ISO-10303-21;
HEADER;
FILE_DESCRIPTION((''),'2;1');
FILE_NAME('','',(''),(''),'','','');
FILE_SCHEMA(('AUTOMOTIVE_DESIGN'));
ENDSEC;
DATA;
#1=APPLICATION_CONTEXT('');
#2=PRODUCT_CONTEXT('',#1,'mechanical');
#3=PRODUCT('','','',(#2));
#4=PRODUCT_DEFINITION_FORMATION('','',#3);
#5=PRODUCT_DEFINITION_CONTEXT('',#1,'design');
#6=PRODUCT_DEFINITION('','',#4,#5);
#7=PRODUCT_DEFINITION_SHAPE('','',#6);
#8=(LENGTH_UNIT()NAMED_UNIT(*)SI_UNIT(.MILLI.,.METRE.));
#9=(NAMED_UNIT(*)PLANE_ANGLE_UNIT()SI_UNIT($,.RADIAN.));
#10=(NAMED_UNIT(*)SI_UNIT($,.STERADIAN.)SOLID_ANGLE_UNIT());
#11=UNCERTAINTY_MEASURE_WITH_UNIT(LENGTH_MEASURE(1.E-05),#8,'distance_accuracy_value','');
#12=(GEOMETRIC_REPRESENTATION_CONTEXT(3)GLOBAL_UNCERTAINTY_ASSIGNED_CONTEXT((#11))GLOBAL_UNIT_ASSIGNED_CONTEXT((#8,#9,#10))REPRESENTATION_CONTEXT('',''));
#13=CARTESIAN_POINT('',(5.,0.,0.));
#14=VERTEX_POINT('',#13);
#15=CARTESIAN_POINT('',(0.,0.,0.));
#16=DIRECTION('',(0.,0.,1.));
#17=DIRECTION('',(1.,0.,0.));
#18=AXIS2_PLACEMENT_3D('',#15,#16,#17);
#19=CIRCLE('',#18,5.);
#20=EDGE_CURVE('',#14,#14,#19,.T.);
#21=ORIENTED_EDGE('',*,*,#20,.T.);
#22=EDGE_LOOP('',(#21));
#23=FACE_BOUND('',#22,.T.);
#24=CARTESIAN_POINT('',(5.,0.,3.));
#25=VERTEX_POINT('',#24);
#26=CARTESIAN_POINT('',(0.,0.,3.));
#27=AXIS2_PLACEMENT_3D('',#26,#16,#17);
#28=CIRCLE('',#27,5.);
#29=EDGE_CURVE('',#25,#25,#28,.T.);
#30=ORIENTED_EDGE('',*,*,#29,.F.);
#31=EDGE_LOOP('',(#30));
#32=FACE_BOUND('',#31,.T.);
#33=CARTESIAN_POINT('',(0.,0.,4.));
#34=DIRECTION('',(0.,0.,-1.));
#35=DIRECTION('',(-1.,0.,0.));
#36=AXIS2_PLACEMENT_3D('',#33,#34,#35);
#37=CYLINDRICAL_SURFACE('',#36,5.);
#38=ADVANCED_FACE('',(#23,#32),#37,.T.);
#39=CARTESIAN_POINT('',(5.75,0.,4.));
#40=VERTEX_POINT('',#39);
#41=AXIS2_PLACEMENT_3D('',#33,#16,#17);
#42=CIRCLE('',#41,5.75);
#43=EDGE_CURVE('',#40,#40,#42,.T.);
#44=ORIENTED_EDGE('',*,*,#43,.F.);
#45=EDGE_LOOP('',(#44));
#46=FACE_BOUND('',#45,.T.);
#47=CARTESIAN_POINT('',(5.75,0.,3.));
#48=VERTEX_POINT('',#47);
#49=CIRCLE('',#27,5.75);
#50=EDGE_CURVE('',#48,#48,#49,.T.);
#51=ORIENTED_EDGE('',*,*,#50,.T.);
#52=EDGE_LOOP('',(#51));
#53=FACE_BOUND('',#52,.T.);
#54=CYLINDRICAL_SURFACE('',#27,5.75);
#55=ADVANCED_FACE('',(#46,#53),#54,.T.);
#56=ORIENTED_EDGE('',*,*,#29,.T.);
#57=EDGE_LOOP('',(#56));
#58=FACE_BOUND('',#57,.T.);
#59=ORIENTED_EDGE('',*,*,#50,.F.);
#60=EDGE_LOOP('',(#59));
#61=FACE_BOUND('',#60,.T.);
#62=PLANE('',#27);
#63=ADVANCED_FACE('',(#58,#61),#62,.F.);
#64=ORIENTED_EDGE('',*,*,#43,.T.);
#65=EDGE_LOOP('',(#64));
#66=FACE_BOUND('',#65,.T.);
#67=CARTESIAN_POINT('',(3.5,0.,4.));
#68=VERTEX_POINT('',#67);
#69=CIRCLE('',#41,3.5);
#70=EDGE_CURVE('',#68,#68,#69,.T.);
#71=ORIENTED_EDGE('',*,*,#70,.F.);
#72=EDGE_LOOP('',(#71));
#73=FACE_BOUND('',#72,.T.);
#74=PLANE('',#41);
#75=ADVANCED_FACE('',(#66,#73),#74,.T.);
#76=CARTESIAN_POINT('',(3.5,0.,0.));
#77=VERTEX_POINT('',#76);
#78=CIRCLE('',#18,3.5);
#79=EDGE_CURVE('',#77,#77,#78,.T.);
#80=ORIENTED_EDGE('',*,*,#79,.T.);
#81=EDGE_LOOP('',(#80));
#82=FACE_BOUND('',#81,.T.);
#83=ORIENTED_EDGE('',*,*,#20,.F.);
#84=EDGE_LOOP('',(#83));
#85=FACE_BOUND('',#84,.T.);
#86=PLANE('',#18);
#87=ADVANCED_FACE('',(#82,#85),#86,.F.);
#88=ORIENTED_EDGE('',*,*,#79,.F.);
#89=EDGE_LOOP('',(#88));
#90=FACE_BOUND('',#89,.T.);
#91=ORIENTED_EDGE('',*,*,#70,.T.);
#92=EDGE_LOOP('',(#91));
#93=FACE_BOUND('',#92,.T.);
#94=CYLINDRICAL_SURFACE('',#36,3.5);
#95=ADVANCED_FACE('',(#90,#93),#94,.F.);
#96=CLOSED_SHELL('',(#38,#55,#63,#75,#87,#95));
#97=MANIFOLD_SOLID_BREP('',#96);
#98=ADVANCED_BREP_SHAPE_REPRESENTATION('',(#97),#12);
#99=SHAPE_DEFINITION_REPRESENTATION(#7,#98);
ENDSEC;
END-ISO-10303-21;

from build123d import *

# Parameters (mm, degrees)
CROQUIS1_R              = 5
CROQUIS1_R_2            = 3.5
SALIENTE_EXTRUIR1_DEPTH = 4
SALIENTE_EXTRUIR2_START = -1
CROQUIS2_R              = 5.75
CROQUIS2_R_2            = 5
SALIENTE_EXTRUIR2_DEPTH = 1


with BuildPart() as part:
    # Croquis1 → Saliente-Extruir1 (new body)
    with BuildSketch(Plane.XY):
        Circle(CROQUIS1_R)
        Circle(CROQUIS1_R_2, mode=Mode.SUBTRACT)
    extrude(amount=SALIENTE_EXTRUIR1_DEPTH)

    # Croquis2 → Saliente-Extruir2 (add)
    with BuildSketch(Plane.XY.offset(4).offset(SALIENTE_EXTRUIR2_START)):
        Circle(CROQUIS2_R)
        Circle(CROQUIS2_R_2, mode=Mode.SUBTRACT)
    extrude(amount=SALIENTE_EXTRUIR2_DEPTH)


solid = part.part
